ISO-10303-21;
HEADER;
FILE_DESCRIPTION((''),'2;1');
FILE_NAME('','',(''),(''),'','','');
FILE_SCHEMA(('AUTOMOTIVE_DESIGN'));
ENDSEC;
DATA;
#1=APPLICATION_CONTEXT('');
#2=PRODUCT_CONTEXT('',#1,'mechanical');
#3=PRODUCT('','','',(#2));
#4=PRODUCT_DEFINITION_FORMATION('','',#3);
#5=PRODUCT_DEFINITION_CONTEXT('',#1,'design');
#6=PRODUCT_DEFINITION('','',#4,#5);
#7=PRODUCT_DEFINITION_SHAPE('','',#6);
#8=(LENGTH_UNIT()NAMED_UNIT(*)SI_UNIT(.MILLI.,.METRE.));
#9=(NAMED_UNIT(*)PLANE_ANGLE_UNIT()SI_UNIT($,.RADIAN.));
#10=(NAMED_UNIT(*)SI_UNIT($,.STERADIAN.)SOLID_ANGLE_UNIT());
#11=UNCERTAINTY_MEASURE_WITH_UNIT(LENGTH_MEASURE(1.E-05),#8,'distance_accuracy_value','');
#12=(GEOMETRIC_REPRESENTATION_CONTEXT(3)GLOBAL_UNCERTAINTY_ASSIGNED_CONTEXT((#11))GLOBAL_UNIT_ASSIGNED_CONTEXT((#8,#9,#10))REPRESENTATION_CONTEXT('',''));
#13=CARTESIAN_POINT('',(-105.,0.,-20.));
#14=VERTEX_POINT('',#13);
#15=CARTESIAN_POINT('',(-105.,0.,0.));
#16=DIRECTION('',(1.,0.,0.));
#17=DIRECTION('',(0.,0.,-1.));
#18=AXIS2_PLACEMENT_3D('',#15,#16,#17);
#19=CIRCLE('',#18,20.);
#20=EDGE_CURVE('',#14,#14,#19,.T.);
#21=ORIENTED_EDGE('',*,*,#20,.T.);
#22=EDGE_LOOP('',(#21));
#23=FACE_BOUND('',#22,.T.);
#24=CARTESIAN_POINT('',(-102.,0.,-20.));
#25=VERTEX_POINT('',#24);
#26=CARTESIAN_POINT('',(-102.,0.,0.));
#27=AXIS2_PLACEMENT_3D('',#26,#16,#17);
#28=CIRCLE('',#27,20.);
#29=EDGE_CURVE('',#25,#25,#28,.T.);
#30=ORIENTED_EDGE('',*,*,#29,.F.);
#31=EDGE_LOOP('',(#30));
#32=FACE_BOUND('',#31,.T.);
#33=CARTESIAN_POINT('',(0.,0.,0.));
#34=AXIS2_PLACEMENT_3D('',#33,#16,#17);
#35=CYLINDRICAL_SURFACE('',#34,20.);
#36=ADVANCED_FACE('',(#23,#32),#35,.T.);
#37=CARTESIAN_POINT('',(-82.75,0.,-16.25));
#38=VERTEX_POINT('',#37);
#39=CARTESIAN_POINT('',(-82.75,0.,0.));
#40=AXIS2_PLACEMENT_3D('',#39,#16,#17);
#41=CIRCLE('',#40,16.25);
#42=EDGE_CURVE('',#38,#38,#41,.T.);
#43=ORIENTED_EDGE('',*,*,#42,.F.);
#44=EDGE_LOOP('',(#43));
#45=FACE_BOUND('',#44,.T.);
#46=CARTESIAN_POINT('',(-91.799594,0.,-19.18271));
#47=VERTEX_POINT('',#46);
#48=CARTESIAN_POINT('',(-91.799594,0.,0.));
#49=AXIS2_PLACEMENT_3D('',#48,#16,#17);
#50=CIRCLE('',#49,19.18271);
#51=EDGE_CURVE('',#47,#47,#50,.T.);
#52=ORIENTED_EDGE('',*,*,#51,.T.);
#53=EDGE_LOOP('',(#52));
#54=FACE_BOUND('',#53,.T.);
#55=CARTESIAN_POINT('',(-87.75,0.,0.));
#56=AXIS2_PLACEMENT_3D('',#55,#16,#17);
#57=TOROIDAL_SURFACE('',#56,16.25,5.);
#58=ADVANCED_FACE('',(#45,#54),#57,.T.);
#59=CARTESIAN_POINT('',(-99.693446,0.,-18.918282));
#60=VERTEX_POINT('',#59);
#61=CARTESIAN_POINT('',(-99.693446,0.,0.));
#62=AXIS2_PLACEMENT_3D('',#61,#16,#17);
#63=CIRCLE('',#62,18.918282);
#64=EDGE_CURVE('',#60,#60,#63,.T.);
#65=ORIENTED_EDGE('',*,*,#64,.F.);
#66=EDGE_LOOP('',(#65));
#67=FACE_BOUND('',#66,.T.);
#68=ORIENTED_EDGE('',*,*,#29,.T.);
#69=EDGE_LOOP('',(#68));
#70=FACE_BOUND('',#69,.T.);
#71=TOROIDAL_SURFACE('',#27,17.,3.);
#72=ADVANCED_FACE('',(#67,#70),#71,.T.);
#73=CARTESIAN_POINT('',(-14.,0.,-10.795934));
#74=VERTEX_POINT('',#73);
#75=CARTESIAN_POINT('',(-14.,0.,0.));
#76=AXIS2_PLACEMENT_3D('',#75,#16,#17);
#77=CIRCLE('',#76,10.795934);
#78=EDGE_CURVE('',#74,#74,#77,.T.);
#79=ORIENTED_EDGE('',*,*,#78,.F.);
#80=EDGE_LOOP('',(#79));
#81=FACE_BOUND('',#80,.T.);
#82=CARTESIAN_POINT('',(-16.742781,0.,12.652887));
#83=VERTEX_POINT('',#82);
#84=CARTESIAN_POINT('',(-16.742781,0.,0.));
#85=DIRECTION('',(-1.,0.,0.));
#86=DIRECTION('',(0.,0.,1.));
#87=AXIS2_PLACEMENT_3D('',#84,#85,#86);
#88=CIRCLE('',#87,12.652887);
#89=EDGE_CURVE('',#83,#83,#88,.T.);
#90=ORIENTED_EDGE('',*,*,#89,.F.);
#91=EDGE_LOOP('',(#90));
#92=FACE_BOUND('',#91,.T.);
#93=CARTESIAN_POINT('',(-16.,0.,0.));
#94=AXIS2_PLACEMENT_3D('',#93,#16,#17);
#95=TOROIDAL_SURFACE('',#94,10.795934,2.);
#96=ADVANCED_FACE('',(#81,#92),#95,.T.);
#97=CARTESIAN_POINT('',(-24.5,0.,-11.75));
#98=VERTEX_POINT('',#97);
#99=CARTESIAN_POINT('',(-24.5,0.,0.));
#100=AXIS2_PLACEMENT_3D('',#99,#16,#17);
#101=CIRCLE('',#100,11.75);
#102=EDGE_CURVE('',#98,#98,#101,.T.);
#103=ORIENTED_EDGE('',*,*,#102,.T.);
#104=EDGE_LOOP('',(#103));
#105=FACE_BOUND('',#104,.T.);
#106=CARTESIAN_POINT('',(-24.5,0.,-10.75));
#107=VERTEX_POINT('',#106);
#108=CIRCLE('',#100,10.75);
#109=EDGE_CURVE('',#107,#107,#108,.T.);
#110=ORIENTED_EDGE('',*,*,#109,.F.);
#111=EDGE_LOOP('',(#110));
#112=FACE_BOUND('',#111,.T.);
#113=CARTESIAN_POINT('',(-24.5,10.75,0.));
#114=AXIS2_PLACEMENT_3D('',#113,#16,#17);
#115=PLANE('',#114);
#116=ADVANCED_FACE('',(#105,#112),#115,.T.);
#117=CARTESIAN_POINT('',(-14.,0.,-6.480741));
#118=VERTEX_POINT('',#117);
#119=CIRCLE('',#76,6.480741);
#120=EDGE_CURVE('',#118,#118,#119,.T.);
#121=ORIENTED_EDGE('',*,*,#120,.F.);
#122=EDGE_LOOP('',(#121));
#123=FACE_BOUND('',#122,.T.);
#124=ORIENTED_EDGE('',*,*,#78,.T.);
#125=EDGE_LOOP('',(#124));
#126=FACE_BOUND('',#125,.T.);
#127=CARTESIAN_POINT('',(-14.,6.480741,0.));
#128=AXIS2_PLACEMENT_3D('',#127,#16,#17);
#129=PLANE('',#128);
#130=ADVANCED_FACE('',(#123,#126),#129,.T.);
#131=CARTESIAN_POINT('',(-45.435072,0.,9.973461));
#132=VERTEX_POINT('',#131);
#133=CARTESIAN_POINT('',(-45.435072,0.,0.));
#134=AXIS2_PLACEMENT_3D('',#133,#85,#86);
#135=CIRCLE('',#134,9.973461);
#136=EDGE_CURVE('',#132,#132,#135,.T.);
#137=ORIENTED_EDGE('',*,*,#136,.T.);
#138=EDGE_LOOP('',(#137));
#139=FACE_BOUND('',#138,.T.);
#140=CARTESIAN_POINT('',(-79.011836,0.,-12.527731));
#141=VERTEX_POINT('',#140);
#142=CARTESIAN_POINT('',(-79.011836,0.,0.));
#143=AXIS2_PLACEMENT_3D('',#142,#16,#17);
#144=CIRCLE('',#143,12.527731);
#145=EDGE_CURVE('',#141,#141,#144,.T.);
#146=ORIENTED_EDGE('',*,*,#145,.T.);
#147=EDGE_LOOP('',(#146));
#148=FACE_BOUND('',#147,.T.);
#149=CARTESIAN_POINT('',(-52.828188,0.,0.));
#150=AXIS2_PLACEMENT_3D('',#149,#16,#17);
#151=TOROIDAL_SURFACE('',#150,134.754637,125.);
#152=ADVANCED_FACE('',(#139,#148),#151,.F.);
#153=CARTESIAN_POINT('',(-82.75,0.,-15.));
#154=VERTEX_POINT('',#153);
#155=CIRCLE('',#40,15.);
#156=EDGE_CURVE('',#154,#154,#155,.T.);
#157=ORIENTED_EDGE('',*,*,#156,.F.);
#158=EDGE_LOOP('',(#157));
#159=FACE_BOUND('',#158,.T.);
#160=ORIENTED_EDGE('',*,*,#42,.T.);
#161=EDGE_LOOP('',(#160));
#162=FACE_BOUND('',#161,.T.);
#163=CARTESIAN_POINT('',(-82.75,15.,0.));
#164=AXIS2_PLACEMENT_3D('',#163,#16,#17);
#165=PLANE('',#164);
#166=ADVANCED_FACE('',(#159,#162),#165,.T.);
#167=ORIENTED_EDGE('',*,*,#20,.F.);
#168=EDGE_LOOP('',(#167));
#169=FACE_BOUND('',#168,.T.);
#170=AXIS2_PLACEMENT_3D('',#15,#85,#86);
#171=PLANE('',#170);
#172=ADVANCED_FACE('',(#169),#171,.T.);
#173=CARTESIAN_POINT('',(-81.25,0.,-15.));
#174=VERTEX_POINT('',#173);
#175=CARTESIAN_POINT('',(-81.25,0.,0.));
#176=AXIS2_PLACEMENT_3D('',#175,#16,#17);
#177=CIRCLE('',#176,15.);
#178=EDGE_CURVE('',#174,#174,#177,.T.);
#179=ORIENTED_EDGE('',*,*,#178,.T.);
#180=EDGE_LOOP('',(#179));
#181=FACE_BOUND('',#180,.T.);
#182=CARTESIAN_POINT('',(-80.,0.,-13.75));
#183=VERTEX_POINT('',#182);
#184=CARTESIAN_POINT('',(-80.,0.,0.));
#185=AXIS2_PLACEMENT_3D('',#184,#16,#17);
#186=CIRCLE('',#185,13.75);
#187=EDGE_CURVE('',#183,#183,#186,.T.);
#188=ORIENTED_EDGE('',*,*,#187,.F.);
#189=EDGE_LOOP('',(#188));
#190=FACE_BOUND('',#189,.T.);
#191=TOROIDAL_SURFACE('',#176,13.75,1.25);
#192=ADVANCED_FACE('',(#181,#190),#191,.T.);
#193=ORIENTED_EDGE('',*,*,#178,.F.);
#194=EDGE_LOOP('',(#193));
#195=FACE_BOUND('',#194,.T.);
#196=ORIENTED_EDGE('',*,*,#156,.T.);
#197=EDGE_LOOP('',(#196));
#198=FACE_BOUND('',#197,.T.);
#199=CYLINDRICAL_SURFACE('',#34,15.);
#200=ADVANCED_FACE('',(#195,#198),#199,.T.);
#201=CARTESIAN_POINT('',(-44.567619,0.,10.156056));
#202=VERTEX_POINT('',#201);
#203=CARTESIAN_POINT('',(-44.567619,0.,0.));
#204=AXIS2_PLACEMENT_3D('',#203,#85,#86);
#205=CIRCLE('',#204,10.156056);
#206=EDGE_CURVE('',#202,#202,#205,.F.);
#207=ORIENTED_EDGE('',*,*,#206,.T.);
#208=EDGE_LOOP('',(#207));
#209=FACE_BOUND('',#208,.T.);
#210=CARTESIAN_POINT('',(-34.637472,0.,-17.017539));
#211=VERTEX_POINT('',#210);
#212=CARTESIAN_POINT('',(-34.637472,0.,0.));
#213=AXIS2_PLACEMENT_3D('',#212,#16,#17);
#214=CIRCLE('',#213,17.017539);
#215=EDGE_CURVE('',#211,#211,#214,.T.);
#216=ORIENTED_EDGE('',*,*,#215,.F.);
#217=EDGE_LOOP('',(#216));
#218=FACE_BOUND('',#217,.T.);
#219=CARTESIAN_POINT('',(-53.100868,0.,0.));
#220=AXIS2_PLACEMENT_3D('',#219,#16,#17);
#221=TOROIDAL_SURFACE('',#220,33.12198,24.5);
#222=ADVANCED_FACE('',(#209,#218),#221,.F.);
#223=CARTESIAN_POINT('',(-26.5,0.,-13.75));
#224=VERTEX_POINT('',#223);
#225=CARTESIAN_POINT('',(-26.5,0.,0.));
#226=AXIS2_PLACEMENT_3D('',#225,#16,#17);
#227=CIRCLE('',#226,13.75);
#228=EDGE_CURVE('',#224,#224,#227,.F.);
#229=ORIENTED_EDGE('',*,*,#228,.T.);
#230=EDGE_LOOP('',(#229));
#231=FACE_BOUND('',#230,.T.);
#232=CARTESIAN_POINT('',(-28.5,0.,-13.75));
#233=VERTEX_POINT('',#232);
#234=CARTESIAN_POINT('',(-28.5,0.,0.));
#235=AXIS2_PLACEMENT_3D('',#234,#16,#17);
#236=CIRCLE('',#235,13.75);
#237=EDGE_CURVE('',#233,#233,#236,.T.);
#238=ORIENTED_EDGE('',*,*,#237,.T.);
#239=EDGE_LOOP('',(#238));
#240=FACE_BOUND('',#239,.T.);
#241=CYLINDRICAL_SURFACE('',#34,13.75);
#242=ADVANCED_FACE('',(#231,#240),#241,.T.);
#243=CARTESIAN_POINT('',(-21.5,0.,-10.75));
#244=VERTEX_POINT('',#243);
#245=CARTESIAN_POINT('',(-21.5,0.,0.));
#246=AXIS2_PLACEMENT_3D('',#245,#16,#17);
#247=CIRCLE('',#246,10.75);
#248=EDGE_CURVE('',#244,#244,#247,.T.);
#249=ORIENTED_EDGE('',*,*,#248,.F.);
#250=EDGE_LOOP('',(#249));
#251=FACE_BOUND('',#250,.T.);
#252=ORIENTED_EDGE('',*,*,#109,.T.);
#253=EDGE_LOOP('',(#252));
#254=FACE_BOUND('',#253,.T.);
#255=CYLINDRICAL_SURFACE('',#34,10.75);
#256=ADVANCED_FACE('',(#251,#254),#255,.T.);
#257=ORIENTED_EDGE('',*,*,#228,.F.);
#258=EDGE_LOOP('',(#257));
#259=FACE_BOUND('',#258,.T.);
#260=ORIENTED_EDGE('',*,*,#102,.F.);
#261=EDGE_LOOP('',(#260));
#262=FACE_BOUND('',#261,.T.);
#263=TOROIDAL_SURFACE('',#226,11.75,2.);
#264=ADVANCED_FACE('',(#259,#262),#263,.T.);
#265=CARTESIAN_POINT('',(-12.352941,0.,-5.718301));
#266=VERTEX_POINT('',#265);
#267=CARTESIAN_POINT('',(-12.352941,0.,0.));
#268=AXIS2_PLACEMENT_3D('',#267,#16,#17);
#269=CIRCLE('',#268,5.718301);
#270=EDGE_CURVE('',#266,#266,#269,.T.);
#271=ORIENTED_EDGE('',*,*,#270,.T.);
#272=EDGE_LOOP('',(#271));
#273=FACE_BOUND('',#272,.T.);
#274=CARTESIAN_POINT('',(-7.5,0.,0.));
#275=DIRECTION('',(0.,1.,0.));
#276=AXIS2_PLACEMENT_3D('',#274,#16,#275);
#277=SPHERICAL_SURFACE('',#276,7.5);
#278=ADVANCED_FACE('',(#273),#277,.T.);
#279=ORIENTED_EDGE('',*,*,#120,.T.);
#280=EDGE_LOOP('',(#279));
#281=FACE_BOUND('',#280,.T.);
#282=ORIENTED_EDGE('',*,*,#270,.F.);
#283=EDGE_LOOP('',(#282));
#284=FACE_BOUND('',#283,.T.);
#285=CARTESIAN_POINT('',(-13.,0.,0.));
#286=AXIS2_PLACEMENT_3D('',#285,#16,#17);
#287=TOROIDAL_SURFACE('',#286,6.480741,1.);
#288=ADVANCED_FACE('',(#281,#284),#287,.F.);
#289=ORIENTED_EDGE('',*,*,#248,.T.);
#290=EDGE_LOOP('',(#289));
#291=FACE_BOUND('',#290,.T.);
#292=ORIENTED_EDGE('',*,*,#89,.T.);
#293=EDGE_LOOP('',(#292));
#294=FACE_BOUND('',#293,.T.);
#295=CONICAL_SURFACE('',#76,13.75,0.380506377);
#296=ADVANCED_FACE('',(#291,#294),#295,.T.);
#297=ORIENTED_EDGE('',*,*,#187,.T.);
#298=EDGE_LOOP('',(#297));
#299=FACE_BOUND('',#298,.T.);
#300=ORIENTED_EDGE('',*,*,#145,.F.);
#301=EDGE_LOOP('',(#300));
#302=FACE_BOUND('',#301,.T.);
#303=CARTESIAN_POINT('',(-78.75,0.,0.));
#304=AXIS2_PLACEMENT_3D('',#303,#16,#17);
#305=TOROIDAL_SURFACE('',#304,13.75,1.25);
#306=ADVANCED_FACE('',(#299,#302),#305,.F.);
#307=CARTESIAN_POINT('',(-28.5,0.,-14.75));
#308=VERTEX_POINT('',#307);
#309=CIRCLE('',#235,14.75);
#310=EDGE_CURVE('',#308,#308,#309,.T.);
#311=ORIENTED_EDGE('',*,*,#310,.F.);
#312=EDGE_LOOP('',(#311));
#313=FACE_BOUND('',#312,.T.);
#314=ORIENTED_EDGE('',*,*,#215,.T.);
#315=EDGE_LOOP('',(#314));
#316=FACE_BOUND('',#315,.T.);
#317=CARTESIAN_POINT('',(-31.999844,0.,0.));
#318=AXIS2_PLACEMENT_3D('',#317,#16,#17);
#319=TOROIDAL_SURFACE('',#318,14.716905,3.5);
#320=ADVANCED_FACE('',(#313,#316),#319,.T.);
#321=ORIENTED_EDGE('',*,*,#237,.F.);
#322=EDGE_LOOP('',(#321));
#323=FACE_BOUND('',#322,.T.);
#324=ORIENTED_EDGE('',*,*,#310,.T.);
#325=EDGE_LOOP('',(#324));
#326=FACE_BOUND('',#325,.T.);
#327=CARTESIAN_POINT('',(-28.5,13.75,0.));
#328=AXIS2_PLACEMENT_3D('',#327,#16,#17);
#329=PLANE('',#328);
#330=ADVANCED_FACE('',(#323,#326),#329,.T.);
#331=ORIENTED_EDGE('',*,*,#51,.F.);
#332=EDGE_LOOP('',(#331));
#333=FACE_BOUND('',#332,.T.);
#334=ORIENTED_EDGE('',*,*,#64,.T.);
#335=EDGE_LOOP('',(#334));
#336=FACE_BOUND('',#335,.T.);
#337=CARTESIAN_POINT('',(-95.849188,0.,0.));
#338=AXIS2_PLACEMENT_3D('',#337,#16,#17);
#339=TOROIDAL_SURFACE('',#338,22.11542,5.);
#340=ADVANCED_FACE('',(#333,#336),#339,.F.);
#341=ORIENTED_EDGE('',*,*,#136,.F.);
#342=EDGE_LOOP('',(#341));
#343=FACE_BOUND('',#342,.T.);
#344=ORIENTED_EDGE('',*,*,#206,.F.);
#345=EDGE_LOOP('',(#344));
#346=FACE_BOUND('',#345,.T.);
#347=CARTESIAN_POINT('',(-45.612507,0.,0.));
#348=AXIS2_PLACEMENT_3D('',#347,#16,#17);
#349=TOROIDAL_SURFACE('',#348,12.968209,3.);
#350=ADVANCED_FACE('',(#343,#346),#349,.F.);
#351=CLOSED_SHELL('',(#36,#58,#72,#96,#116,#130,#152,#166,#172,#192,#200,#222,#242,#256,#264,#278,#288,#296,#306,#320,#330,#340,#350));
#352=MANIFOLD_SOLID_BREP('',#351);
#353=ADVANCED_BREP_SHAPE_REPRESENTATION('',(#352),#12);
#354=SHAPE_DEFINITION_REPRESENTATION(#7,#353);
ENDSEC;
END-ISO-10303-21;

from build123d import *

# Parameters (mm, degrees)
FILLET_1_R = 2
FILLET_3_R = 3


with BuildPart() as part:
    # 草圖1 → 旋轉1 (revolve)
    with BuildSketch(Plane.XY):
        with BuildLine():
            Line((-14, 6.480740698), (-14, 13.75))
            Line((-14, 13.75), (-21.5, 10.75))
            Line((-21.5, 10.75), (-24.5, 10.75))
            Line((-24.5, 10.75), (-24.5, 13.75))
            Line((-24.5, 13.75), (-28.5, 13.75))
            Line((-28.5, 13.75), (-28.5, 14.75))
            ThreePointArc((-28.5, 14.75), (-30.786877094, 18), (-34.637471586, 17.017539364))
            ThreePointArc((-34.637471586, 17.017539364), (-39.363091591, 12.835937548), (-45, 10))
            ThreePointArc((-45, 10), (-62.092533005, 10.09842212), (-79.01183648, 12.527730939))
            ThreePointArc((-79.01183648, 12.527730939), (-79.722058537, 12.964123292), (-80, 13.75))
            ThreePointArc((-80, 13.75), (-80.366116524, 14.633883476), (-81.25, 15))
            Line((-81.25, 15), (-82.75, 15))
            Line((-82.75, 15), (-82.75, 16.25))
            ThreePointArc((-82.75, 16.25), (-86.208567412, 21.006467762), (-91.79959423, 19.182709766))
            ThreePointArc((-91.79959423, 19.182709766), (-95.681792866, 17.118222446), (-99.693445708, 18.918282341))
            ThreePointArc((-99.693445708, 18.918282341), (-100.726196071, 19.71614129), (-102, 20))
            Line((-102, 20), (-105, 20))
            Line((-105, 20), (-105, 0))
            Line((-105, 0), (0, 0))
            ThreePointArc((0, 0), (-4.349369811, 6.806139097), (-12.352941176, 5.718300616))
            ThreePointArc((-12.352941176, 5.718300616), (-13.420084025, 5.573255485), (-14, 6.480740698))
        make_face()
    revolve(axis=Axis((0, 0, 0), (-1, 0, 0)))

    # 草圖1<3> → 旋轉3 (revolve)
    with BuildSketch(Plane.XY):
        with BuildLine():
            Line((-14, 6.480740698), (-14, 13.75))
            Line((-14, 13.75), (-21.5, 10.75))
            Line((-21.5, 10.75), (-24.5, 10.75))
            Line((-24.5, 10.75), (-24.5, 13.75))
            Line((-24.5, 13.75), (-28.5, 13.75))
            Line((-28.5, 13.75), (-28.5, 14.75))
            ThreePointArc((-28.5, 14.75), (-30.786877094, 18), (-34.637471586, 17.017539364))
            ThreePointArc((-34.637471586, 17.017539364), (-39.363091591, 12.835937548), (-45, 10))
            ThreePointArc((-45, 10), (-62.092533005, 10.09842212), (-79.01183648, 12.527730939))
            ThreePointArc((-79.01183648, 12.527730939), (-79.722058537, 12.964123292), (-80, 13.75))
            ThreePointArc((-80, 13.75), (-80.366116524, 14.633883476), (-81.25, 15))
            Line((-81.25, 15), (-82.75, 15))
            Line((-82.75, 15), (-82.75, 16.25))
            ThreePointArc((-82.75, 16.25), (-86.208567412, 21.006467762), (-91.79959423, 19.182709766))
            ThreePointArc((-91.79959423, 19.182709766), (-95.681792866, 17.118222446), (-99.693445708, 18.918282341))
            ThreePointArc((-99.693445708, 18.918282341), (-100.726196071, 19.71614129), (-102, 20))
            Line((-102, 20), (-105, 20))
            Line((-105, 20), (-105, 0))
            Line((-105, 0), (0, 0))
            ThreePointArc((0, 0), (-4.349369811, 6.806139097), (-12.352941176, 5.718300616))
            ThreePointArc((-12.352941176, 5.718300616), (-13.420084025, 5.573255485), (-14, 6.480740698))
        make_face()
    revolve(axis=Axis((0, 0, 0), (-1, 0, 0)))

    # 圓角1
    fillet_1_edges = [part.edges().sort_by_distance(p)[0] for p in [
        (-24.5, -13.75, 0),
        (-14, -13.75, 0),
    ]]
    fillet(fillet_1_edges, radius=FILLET_1_R)

    # 圓角3
    fillet_3_edges = [part.edges().sort_by_distance(p)[0] for p in [
        (-45, -10, 0),
    ]]
    fillet(fillet_3_edges, radius=FILLET_3_R)


solid = part.part
